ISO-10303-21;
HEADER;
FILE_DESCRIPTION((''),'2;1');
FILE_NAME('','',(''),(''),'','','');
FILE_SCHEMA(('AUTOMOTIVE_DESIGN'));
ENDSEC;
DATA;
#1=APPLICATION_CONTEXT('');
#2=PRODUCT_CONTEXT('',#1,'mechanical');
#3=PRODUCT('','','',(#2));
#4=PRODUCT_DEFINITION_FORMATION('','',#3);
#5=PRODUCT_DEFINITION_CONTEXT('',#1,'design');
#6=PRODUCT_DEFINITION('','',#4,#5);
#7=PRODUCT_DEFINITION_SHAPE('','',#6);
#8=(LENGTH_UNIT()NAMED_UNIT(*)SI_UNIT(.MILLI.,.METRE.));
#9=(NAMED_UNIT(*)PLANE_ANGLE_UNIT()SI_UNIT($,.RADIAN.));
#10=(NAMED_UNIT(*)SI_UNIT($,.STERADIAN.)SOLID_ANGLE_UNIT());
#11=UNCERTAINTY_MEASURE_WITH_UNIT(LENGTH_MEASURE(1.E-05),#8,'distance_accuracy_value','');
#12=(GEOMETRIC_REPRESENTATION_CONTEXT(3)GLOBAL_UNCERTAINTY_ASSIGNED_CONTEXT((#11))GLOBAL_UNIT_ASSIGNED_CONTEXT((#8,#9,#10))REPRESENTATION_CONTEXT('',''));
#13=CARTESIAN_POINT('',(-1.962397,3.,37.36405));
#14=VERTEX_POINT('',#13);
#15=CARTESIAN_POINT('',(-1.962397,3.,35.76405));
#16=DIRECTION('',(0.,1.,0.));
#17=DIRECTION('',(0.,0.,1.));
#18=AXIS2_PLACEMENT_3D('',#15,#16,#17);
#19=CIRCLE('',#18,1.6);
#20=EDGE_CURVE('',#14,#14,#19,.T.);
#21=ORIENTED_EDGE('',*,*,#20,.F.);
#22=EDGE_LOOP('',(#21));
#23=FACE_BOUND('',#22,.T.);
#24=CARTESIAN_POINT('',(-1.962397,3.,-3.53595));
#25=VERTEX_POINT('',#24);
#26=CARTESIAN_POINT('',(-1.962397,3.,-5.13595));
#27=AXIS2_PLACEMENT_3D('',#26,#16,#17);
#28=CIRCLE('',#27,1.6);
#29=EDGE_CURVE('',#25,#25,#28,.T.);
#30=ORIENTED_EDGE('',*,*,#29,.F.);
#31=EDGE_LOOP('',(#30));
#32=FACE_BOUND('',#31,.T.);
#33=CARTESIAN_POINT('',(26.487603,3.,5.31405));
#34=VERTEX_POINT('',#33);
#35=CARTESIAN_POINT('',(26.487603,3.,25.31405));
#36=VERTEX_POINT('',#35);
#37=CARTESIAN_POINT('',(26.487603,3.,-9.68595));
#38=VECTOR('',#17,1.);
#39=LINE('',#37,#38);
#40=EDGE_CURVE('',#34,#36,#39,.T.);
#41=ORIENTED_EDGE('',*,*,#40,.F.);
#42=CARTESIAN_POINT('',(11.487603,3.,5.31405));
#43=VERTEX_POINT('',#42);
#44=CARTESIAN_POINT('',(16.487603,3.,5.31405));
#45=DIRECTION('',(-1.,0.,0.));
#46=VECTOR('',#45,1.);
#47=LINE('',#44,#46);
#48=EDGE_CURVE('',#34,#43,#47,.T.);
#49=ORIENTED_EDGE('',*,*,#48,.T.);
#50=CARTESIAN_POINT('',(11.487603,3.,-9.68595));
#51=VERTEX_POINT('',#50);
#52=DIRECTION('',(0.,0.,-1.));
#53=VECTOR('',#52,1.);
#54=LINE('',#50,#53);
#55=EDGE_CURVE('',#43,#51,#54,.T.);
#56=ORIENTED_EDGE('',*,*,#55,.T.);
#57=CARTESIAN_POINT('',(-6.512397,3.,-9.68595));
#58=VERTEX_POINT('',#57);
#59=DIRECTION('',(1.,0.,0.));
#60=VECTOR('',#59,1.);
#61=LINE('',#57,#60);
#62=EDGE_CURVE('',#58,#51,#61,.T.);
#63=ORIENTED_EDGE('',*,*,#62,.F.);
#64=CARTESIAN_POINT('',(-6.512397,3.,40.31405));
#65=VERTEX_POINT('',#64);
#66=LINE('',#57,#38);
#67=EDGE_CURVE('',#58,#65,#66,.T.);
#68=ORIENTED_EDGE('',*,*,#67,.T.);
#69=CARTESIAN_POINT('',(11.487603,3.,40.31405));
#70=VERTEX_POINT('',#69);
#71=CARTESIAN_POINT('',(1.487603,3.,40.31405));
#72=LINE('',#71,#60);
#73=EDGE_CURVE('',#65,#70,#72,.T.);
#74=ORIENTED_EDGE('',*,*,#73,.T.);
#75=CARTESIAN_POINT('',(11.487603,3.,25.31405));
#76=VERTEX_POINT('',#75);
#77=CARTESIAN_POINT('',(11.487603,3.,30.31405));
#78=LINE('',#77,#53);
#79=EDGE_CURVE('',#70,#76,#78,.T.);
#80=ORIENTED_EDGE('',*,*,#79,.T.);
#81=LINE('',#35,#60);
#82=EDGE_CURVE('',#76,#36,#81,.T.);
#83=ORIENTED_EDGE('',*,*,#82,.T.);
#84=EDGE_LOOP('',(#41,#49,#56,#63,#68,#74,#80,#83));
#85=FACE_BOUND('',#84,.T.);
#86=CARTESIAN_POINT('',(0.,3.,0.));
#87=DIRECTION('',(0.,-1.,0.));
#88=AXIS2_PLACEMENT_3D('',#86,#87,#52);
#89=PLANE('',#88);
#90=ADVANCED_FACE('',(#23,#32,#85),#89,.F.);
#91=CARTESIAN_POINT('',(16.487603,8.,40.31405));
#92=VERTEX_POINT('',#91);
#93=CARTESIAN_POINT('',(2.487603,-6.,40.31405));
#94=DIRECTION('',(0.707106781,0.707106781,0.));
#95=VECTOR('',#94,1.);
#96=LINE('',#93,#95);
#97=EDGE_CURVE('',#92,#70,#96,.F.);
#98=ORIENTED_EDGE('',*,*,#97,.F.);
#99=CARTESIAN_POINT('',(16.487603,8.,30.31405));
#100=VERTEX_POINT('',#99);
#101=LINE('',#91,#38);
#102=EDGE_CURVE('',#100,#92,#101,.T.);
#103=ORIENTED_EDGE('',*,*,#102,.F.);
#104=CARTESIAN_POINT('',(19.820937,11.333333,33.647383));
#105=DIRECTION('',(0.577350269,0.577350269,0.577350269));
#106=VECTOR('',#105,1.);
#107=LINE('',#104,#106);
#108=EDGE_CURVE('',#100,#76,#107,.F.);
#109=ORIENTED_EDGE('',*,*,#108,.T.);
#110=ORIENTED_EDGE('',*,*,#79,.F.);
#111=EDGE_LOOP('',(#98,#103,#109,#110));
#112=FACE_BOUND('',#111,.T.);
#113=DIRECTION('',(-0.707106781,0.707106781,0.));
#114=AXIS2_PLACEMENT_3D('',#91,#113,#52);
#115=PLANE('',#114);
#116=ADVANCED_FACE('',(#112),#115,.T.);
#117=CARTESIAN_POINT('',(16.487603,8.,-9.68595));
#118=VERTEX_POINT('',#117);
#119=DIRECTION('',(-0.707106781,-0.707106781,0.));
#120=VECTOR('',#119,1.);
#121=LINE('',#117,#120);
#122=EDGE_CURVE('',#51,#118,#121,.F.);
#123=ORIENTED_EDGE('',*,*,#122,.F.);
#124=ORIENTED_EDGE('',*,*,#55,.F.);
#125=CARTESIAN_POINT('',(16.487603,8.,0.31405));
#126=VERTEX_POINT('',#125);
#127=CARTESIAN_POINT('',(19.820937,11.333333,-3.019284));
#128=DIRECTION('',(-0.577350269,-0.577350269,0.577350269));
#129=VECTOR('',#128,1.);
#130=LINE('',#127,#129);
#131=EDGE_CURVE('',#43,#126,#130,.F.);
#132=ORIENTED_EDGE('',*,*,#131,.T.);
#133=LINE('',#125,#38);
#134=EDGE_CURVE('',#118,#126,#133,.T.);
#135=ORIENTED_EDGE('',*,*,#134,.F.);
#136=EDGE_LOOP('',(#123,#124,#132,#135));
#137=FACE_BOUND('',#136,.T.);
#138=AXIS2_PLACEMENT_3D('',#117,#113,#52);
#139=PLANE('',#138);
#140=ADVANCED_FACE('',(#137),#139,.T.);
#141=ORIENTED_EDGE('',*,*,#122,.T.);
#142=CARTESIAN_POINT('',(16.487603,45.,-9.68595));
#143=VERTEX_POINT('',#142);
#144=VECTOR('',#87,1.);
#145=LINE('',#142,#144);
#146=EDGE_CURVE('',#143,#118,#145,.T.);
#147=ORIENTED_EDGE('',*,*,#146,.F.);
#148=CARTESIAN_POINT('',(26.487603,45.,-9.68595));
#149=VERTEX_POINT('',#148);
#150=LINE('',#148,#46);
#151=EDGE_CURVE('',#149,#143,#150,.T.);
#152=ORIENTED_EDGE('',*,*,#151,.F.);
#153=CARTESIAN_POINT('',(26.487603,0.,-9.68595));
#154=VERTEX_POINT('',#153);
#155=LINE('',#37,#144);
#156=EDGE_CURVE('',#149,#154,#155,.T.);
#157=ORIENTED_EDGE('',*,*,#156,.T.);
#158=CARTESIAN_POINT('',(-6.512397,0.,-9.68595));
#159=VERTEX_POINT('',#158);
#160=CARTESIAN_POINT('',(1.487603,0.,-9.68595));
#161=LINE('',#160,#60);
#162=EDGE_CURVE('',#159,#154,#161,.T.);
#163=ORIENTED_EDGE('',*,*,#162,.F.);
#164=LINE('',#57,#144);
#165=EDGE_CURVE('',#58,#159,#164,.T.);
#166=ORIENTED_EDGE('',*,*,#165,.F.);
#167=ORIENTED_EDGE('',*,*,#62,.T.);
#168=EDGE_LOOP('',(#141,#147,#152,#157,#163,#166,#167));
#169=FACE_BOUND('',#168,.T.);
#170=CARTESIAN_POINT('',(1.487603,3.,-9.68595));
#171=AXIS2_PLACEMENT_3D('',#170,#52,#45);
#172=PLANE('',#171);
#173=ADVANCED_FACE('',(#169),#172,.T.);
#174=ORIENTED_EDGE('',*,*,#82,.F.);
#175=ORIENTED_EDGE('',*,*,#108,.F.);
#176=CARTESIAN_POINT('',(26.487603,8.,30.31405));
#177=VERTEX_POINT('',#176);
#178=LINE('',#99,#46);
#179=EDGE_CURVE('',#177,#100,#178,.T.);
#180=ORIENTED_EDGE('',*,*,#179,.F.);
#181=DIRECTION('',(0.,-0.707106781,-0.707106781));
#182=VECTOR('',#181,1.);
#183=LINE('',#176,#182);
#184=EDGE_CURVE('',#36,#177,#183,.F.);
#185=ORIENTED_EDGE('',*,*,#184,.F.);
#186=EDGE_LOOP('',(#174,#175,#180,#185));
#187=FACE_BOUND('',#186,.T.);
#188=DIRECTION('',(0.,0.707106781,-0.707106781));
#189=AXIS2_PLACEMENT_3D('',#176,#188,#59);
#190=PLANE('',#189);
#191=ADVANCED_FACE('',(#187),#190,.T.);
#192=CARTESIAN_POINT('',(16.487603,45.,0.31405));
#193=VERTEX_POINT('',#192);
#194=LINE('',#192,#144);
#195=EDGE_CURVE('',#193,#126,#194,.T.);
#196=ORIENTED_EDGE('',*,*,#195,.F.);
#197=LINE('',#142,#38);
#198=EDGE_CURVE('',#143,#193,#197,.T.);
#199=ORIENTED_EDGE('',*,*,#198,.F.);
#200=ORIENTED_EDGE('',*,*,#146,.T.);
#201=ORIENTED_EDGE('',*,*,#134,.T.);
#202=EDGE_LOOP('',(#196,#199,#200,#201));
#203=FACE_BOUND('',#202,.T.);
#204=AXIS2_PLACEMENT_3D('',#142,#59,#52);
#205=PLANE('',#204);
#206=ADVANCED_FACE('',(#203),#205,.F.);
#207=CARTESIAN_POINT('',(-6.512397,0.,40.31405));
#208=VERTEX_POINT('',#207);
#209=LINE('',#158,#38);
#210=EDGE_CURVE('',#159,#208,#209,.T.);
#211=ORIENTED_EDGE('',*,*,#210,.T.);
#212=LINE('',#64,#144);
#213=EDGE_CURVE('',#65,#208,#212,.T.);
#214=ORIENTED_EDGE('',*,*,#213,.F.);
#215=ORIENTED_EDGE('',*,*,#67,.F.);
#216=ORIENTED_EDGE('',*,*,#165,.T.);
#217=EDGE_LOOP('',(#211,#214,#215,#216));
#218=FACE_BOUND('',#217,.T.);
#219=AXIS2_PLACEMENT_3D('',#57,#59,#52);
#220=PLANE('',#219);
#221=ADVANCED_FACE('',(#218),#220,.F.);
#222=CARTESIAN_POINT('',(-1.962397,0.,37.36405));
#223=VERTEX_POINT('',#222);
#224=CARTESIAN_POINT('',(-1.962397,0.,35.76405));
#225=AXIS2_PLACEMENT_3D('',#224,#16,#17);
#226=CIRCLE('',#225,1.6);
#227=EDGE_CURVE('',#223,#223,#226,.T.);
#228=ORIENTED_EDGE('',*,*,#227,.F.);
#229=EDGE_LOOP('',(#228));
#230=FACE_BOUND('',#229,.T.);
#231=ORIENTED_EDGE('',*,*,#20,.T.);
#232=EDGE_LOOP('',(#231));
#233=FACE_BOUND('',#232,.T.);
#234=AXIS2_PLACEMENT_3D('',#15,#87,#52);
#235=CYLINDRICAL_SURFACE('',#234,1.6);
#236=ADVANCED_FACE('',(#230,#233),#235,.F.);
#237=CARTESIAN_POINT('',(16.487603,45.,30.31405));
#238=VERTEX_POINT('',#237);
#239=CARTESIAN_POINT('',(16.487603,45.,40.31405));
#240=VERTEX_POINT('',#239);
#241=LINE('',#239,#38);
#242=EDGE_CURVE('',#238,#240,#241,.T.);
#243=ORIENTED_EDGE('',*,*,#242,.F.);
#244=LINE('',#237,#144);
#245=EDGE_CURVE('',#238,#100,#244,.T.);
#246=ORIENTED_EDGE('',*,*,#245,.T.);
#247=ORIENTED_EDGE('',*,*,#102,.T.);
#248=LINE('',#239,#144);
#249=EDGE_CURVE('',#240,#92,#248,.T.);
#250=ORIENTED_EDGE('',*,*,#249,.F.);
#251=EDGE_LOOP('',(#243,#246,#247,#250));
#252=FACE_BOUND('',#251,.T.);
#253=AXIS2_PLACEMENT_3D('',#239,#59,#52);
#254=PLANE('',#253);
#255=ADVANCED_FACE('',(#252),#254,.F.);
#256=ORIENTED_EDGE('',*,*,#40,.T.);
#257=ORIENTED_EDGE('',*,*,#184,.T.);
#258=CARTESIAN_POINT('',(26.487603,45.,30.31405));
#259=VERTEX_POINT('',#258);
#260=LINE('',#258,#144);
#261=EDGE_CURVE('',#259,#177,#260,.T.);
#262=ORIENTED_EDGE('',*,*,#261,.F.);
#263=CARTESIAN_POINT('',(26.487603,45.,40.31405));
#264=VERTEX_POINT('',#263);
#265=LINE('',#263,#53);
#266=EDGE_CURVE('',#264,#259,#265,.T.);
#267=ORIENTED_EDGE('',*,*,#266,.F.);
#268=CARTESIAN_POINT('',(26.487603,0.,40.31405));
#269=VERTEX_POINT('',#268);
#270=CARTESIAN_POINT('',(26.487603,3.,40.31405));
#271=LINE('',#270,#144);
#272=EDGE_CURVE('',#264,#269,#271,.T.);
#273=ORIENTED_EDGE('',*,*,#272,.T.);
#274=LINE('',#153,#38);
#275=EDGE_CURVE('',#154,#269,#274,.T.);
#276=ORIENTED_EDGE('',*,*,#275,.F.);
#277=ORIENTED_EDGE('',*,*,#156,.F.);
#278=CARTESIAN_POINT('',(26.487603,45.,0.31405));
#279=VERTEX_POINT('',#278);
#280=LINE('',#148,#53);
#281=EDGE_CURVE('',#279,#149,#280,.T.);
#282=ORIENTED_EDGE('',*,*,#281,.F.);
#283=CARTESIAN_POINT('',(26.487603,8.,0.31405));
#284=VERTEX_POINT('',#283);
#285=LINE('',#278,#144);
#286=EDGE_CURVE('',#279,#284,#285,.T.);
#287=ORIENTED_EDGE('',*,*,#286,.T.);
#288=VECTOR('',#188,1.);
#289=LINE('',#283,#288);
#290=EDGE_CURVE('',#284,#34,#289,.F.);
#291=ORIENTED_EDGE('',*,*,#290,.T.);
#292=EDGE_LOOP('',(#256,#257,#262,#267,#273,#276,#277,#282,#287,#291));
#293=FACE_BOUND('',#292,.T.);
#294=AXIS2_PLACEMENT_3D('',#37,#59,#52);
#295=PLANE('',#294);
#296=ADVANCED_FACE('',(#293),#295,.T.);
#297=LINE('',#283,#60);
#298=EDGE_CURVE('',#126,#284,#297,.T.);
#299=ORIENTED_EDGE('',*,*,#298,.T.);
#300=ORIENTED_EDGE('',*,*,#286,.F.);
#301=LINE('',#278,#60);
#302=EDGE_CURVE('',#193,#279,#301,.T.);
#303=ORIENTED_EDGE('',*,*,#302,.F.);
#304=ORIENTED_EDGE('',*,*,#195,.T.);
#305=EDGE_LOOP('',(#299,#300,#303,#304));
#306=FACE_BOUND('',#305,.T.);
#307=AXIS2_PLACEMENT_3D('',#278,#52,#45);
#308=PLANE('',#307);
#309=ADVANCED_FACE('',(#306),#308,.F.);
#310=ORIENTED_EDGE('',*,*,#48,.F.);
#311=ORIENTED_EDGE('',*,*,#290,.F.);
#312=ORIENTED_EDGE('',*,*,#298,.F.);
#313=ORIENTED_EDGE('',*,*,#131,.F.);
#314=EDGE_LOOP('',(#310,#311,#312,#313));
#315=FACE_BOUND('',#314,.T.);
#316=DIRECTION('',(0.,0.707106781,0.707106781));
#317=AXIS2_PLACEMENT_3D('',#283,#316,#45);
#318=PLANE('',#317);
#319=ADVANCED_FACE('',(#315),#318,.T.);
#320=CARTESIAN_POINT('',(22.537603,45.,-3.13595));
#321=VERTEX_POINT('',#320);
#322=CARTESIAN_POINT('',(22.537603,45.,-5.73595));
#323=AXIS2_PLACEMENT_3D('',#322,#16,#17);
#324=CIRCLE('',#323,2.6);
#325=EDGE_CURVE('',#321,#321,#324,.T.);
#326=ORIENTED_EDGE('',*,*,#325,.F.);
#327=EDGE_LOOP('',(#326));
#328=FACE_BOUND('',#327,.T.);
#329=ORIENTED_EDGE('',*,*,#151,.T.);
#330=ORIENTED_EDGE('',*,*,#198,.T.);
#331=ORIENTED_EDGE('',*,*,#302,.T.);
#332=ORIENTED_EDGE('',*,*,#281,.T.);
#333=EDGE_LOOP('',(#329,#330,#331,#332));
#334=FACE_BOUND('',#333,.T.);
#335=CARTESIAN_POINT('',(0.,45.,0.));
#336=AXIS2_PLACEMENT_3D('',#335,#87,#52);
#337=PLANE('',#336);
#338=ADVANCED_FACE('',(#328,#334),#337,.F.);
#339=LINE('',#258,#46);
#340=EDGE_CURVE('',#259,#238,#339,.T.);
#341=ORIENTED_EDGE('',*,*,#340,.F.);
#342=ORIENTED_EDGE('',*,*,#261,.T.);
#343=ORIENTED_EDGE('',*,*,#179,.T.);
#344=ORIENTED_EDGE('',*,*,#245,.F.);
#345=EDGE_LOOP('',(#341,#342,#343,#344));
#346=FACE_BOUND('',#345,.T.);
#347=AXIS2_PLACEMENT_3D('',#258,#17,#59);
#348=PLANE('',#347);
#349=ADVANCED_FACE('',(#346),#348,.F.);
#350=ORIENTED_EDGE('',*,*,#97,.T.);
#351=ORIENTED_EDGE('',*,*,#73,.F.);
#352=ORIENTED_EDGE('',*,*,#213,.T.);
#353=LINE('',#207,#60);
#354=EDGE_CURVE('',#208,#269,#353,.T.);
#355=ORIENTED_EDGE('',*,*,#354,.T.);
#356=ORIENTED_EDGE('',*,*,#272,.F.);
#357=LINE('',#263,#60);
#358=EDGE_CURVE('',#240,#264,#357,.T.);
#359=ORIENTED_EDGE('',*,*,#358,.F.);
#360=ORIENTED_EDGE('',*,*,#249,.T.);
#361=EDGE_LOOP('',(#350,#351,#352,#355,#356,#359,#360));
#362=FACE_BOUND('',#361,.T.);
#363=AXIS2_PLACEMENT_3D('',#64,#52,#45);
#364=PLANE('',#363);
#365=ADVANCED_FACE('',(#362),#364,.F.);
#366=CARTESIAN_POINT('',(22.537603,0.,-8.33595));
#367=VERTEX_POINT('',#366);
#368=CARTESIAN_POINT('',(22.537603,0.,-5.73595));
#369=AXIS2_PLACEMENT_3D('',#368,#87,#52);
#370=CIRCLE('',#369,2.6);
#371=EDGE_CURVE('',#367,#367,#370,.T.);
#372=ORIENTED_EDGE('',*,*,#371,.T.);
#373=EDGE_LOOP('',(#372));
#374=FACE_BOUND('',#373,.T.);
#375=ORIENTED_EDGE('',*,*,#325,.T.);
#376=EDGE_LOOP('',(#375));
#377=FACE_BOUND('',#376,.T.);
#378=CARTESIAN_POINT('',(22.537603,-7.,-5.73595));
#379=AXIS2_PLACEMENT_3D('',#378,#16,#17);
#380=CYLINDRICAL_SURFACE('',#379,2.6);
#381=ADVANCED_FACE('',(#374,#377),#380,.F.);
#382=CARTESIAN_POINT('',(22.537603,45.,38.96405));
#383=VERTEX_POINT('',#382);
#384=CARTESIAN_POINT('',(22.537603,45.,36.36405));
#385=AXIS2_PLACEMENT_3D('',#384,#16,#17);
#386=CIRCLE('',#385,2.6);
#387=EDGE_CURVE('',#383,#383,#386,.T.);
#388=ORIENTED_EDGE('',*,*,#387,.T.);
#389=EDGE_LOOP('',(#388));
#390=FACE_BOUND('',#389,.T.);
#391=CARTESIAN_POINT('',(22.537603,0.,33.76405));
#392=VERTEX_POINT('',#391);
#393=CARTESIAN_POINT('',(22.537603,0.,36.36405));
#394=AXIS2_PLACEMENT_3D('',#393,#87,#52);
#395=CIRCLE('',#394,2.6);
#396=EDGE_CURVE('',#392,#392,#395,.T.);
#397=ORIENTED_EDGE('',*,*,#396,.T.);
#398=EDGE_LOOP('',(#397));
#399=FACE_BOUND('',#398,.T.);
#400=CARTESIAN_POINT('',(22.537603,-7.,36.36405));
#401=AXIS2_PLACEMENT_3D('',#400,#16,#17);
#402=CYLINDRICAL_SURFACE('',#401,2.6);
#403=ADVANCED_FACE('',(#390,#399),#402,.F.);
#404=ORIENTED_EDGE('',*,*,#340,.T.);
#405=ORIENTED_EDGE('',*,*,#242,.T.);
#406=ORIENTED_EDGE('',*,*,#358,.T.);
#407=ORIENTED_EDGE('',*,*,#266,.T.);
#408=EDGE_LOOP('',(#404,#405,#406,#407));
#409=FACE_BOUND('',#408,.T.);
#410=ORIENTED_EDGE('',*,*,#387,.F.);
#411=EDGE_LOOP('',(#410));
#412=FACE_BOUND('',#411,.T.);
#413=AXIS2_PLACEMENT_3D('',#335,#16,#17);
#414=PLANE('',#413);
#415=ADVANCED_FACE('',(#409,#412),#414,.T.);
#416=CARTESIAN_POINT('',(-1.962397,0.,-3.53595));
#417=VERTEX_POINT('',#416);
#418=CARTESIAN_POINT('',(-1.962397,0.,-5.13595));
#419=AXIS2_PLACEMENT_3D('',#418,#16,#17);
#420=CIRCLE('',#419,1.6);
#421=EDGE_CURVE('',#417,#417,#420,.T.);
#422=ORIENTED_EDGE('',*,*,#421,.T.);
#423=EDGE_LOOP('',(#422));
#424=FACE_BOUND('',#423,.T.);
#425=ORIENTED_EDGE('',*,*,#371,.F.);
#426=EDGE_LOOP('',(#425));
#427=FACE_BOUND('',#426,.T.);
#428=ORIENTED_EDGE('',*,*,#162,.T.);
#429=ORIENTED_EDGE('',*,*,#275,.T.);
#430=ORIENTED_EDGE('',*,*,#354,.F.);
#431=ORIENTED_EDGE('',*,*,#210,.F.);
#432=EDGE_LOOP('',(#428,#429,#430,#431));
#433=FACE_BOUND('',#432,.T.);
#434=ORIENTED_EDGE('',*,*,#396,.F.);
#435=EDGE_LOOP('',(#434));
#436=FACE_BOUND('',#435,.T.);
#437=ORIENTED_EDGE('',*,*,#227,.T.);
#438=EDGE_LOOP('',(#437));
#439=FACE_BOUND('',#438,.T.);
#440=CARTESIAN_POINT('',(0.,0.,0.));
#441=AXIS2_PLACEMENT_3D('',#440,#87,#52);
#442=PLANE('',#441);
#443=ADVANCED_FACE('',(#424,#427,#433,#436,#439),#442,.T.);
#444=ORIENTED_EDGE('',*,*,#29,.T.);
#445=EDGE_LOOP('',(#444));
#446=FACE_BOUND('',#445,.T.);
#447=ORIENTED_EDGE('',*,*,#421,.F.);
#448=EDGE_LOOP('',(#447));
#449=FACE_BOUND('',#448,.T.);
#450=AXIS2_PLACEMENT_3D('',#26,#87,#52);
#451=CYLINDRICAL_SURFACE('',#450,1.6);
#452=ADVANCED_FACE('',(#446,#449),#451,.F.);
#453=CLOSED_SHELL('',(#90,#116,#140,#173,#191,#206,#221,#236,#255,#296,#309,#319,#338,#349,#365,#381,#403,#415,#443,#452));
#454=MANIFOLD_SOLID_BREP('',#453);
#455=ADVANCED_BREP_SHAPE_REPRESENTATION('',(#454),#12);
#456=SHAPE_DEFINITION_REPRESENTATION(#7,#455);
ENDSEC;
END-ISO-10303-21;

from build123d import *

# Parameters (mm, degrees)
SKETCH1_R           = 1.6
BOSS_EXTRUDE1_DEPTH = 3
SKETCH2_W           = 10
SKETCH2_H           = 10
BOSS_EXTRUDE2_DEPTH = 42
CHAMFER1_SIZE       = 5
SKETCH3_R           = 2.6
CUT_EXTRUDE1_DEPTH  = 52


with BuildPart() as part:
    # Sketch1 → Boss-Extrude1 (new body)
    with BuildSketch(Plane(origin=(0, 0, 0), x_dir=(1, 0, 0), z_dir=(0, 1, 0))):
        Polygon((-6.512396694, 9.685950413), (1.487603306, 9.685950413), (26.487603306, 9.685950413), (26.487603306, -40.314049587), (1.487603306, -40.314049587), (-6.512396694, -40.314049587), align=None)
        with Locations(Location((-1.962396694, -35.764049587, 0), (0, 0, 270))):
            Circle(SKETCH1_R, mode=Mode.SUBTRACT)
        with Locations(Location((-1.962396694, 5.135950413, 0), (0, 0, 270))):
            Circle(SKETCH1_R, mode=Mode.SUBTRACT)
    extrude(amount=BOSS_EXTRUDE1_DEPTH)

    # Sketch2 → Boss-Extrude2 (add)
    with BuildSketch(Plane(origin=(0, 3, 0), x_dir=(1, 0, 0), z_dir=(0, 1, 0))):
        with Locations((21.487603306, -35.314049587)):
            Rectangle(SKETCH2_W, SKETCH2_H)
        with Locations((21.487603306, 4.685950413)):
            Rectangle(SKETCH2_W, SKETCH2_H)
    extrude(amount=BOSS_EXTRUDE2_DEPTH)

    # Chamfer1
    chamfer1_edges = [part.edges().sort_by_distance(p)[0] for p in [
        (21.487603306, 3, 30.314049587),
        (16.487603306, 3, 35.314049587),
        (16.487603306, 3, -4.685950413),
        (21.487603306, 3, 0.314049587),
    ]]
    chamfer(chamfer1_edges, length=CHAMFER1_SIZE)

    # Sketch3 → Cut-Extrude1 (cut)
    with BuildSketch(Plane(origin=(0, 45, 0), x_dir=(1, 0, 0), z_dir=(0, 1, 0))):
        with Locations(Location((22.537603306, -36.364049587, 0), (0, 0, 270))):
            Circle(SKETCH3_R)
        with Locations(Location((22.537603306, 5.735950413, 0), (0, 0, 270))):
            Circle(SKETCH3_R)
    extrude(amount=-CUT_EXTRUDE1_DEPTH, mode=Mode.SUBTRACT)


solid = part.part
